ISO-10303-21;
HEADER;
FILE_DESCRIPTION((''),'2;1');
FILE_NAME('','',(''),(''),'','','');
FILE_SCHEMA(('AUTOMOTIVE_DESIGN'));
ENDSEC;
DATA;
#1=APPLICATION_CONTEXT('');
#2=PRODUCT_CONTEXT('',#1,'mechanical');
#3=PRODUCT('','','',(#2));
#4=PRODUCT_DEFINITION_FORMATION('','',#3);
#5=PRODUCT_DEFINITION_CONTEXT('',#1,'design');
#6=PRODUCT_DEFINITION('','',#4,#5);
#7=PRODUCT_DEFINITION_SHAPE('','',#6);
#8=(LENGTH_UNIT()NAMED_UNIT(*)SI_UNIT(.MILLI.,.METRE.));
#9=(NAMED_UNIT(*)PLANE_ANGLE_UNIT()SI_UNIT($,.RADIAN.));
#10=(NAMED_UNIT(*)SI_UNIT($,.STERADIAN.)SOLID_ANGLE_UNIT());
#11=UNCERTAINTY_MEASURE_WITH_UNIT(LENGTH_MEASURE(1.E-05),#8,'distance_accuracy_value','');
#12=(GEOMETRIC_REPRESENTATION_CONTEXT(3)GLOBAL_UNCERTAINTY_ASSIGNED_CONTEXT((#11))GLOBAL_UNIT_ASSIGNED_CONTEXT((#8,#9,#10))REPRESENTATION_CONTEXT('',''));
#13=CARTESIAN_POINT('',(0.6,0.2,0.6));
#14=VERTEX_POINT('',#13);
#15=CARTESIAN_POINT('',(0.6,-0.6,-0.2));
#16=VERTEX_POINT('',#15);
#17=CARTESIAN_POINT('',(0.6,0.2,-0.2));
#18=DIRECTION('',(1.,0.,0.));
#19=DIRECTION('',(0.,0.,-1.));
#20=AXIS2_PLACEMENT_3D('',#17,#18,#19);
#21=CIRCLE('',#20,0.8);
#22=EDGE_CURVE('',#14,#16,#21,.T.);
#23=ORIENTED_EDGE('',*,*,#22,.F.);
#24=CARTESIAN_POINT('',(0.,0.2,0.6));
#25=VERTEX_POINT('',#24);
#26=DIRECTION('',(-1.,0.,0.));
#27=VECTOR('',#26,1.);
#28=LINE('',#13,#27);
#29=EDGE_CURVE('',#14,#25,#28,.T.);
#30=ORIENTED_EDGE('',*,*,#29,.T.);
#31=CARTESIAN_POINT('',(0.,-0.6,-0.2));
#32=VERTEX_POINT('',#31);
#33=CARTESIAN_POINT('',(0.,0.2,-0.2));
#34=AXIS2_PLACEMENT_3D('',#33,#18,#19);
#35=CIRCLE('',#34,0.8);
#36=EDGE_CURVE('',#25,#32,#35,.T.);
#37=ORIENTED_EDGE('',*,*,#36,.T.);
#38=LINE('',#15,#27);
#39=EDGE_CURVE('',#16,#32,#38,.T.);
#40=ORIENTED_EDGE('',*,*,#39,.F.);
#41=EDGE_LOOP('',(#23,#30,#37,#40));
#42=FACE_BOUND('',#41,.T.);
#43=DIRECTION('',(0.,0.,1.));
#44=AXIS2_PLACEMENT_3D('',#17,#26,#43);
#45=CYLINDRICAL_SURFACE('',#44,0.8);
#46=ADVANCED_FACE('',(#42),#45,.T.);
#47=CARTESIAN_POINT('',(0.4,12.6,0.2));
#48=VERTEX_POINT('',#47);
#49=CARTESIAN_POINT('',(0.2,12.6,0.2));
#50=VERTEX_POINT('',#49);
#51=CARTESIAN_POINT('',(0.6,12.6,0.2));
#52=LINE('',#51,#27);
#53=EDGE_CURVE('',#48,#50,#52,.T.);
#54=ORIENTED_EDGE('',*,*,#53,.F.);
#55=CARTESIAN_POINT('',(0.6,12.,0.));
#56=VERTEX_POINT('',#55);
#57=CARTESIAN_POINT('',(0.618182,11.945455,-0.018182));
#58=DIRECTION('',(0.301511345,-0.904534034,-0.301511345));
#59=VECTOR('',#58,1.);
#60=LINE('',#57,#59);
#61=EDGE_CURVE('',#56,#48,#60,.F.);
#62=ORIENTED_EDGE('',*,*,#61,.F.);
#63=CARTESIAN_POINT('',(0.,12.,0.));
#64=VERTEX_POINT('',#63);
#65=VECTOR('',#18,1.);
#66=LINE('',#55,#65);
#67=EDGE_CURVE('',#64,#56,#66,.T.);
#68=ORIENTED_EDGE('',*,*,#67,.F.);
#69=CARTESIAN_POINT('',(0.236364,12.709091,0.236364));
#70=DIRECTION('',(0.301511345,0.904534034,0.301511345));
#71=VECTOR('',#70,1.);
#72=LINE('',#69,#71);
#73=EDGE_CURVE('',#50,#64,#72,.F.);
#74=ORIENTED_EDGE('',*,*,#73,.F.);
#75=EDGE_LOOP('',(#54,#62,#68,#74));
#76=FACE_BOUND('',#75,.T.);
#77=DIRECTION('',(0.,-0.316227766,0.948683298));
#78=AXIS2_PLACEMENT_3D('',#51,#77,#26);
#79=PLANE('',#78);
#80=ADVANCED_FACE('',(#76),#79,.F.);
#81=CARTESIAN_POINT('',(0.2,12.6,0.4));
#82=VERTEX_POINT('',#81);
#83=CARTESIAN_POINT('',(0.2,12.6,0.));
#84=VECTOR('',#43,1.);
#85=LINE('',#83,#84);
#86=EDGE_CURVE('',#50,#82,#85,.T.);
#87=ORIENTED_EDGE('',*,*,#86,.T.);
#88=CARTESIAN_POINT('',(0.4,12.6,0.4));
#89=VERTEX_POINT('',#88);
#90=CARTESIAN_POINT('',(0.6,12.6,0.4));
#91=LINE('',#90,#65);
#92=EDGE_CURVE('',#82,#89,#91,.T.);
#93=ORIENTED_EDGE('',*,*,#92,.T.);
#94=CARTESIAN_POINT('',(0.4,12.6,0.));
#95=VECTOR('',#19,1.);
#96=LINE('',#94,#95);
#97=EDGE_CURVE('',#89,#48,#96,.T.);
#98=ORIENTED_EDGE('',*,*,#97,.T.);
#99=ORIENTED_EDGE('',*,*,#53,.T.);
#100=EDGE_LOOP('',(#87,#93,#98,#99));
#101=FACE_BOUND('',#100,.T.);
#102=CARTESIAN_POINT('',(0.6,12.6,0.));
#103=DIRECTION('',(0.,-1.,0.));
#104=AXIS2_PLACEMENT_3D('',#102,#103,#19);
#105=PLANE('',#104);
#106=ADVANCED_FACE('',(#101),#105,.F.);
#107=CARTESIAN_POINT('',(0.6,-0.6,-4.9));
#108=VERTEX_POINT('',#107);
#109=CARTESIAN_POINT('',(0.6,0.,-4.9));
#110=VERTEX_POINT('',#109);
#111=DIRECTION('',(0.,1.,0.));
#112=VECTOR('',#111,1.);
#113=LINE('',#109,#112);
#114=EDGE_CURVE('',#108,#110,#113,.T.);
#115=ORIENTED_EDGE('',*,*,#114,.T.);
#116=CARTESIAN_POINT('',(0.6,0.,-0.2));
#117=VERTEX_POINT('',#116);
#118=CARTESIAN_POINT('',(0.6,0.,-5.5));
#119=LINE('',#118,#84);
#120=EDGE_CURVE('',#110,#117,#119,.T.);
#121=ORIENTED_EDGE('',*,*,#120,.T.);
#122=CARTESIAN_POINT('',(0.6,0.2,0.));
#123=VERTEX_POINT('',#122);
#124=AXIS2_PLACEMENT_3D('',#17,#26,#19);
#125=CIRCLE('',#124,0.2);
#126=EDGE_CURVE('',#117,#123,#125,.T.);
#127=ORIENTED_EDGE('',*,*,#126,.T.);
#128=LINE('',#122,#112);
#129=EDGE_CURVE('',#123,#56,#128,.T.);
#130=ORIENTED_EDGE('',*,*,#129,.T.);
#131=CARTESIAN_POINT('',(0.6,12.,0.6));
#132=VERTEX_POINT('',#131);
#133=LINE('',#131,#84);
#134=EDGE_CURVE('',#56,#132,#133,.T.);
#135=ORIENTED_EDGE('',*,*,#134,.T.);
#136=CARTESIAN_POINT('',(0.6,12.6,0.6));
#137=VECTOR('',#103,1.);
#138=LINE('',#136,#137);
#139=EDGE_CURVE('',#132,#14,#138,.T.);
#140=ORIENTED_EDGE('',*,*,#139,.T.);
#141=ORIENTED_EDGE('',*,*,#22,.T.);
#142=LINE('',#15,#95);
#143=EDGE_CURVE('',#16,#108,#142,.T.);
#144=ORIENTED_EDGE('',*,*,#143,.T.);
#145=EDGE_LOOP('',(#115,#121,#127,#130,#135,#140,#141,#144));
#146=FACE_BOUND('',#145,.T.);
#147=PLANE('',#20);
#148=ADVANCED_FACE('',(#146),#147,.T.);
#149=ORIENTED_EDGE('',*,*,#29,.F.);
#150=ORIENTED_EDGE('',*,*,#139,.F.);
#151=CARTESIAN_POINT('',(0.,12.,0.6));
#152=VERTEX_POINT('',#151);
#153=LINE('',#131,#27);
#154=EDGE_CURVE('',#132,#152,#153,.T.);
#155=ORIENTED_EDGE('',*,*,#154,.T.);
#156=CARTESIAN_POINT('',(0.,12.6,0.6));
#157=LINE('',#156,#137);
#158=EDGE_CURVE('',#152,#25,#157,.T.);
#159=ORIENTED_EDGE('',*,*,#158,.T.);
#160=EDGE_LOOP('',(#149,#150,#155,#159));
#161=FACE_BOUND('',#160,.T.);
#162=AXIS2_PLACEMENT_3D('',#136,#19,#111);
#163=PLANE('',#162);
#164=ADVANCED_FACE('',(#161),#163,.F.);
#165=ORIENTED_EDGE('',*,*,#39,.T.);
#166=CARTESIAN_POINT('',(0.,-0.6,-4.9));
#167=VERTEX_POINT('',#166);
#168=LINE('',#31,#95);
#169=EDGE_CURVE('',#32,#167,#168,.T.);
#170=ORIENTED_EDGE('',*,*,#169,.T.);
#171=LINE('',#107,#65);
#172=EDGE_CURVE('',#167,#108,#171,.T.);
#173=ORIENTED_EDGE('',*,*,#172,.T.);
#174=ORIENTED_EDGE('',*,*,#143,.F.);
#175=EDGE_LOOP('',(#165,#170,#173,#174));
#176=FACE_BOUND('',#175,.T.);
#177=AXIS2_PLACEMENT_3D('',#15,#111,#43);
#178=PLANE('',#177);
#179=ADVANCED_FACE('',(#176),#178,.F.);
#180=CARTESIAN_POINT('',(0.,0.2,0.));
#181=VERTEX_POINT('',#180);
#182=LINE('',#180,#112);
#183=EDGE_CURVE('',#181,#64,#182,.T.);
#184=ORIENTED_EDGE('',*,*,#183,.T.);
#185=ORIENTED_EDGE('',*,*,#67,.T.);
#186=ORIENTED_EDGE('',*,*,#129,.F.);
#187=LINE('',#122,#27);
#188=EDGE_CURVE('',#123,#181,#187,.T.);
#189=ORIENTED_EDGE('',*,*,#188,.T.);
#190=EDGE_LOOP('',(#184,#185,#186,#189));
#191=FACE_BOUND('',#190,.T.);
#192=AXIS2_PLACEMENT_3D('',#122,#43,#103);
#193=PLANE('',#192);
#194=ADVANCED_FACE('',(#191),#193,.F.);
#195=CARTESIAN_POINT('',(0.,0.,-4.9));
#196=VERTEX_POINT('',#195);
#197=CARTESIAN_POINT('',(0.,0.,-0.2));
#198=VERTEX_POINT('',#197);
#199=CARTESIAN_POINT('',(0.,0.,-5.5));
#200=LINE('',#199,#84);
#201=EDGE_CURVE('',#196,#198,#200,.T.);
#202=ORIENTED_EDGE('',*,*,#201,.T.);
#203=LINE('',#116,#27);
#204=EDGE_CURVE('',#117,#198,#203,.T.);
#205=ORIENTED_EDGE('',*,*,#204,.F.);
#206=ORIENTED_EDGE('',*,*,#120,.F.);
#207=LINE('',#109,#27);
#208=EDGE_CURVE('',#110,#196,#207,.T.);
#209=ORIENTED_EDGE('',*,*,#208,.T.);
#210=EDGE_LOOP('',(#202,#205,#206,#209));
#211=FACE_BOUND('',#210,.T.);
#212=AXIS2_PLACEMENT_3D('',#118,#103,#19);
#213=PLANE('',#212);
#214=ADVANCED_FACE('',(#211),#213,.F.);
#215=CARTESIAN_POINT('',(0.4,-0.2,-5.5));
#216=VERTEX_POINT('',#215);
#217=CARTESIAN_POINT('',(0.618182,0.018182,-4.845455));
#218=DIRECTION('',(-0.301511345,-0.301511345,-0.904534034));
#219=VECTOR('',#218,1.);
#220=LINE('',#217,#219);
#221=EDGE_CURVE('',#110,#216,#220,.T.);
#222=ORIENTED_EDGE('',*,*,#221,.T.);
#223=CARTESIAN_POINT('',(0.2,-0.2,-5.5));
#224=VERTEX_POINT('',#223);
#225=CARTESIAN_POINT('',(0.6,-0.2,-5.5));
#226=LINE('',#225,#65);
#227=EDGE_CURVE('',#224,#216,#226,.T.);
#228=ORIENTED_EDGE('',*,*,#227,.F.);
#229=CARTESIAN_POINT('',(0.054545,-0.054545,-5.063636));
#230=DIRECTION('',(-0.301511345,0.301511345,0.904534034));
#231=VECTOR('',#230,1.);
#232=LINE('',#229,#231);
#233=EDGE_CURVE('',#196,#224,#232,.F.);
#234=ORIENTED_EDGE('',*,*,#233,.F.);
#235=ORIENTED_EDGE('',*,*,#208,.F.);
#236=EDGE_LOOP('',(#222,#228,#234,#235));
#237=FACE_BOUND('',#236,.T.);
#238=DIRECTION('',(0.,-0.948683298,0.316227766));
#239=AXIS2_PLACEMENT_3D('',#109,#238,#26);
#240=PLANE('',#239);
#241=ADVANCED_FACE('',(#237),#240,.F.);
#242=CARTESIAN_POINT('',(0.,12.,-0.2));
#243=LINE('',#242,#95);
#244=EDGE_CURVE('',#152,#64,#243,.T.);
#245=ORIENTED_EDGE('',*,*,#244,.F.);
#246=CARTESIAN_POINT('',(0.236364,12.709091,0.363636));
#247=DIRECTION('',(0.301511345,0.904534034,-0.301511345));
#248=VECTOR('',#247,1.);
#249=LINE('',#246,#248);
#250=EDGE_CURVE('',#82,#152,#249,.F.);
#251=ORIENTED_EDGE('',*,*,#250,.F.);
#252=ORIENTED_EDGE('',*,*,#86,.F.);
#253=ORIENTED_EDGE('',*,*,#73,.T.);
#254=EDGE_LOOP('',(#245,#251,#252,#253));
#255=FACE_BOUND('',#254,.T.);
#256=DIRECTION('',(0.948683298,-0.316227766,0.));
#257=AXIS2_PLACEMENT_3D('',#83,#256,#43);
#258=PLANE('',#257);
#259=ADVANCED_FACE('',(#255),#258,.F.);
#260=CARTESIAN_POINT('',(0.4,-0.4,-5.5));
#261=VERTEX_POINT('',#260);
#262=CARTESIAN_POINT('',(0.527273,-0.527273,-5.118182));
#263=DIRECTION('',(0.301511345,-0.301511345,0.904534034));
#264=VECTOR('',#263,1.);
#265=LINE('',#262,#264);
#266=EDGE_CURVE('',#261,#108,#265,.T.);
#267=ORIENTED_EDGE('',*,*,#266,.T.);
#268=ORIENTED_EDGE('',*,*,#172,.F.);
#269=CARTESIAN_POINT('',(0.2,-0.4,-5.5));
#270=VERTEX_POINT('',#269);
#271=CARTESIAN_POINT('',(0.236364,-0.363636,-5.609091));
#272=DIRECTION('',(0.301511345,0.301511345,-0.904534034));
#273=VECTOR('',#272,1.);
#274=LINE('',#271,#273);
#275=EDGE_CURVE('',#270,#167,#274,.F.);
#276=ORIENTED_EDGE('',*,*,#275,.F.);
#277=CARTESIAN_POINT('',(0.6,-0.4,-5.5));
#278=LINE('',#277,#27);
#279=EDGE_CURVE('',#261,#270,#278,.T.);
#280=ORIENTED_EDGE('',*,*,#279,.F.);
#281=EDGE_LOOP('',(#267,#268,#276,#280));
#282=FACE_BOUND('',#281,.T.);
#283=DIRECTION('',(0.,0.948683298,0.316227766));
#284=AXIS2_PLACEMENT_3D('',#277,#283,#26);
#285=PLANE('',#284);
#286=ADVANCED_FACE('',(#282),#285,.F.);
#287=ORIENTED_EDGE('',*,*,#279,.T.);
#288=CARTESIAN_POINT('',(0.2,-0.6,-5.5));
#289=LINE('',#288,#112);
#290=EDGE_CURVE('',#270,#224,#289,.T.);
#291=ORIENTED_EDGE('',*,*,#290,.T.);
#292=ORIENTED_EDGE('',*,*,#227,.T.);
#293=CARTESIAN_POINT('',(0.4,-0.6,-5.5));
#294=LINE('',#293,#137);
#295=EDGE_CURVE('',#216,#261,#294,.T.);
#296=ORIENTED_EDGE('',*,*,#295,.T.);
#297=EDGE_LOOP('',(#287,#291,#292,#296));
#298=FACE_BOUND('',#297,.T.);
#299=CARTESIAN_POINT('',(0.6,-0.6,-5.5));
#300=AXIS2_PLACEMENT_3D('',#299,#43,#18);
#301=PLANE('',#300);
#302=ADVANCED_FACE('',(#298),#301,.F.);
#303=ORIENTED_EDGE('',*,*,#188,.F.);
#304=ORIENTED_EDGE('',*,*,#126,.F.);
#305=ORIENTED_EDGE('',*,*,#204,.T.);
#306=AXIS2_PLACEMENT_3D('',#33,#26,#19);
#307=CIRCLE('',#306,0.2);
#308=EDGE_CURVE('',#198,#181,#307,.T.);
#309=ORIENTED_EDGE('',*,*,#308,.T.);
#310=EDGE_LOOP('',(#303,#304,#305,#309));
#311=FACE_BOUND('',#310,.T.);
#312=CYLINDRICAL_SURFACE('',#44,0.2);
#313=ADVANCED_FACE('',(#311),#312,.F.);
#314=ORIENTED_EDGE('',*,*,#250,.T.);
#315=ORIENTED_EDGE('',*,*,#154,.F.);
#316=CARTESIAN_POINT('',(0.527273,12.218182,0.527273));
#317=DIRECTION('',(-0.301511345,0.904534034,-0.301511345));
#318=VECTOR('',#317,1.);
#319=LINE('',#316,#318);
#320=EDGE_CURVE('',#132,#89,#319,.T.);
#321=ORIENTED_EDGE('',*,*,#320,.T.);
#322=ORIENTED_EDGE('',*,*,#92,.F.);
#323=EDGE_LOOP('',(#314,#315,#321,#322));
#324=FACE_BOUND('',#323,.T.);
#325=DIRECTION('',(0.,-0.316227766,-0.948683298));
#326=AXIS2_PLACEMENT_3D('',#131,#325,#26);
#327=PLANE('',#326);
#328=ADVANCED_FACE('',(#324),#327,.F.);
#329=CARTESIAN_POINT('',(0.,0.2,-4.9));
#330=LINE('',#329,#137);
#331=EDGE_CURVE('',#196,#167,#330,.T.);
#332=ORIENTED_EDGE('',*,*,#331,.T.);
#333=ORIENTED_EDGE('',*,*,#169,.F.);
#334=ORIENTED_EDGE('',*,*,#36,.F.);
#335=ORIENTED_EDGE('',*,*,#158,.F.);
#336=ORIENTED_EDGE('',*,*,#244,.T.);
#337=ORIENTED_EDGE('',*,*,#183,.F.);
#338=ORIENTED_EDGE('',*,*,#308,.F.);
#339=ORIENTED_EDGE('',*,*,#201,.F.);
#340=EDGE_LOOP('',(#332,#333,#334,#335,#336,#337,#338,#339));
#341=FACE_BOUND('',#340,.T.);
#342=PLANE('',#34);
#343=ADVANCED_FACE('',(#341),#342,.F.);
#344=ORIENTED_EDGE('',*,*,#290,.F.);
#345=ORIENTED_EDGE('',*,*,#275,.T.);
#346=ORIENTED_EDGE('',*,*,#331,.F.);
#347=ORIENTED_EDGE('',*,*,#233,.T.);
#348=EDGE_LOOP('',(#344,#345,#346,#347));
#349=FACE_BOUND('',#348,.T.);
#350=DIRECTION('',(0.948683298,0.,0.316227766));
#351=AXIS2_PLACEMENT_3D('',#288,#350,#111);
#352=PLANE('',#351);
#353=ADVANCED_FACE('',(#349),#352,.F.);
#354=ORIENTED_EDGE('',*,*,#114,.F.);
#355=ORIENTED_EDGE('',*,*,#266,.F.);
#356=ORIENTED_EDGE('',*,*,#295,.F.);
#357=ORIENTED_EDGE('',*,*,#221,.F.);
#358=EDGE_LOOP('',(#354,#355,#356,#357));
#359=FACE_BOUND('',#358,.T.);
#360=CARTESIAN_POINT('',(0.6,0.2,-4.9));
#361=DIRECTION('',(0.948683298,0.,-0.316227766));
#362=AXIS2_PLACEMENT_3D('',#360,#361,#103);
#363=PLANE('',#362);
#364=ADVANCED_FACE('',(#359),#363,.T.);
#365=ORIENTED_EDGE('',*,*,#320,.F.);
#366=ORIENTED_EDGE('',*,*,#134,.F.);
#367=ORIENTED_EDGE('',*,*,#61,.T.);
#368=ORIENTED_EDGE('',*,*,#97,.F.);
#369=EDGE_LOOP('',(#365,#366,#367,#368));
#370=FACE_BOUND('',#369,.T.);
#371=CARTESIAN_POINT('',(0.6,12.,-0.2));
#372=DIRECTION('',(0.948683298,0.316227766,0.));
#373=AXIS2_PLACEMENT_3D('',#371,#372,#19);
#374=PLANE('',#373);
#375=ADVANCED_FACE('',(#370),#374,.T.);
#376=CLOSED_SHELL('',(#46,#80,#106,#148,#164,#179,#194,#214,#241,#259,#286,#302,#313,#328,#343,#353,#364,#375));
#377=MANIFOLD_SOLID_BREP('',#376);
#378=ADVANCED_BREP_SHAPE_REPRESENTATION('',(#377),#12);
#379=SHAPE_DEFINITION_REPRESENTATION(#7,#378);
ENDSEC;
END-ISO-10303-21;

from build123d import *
from OCP.BRepFilletAPI import BRepFilletAPI_MakeChamfer

# Parameters (mm, degrees)
AUFSATZ_LINEAR_AUSTRAGEN1_DEPTH = 0.6
FASE1_SIZE                      = 0.2
FASE1_SIZE2                     = 0.6


with BuildPart() as part:
    # Skizze1 → Aufsatz-Linear austragen1 (new body)
    with BuildSketch(Plane(origin=(0, 0, 0), x_dir=(0, 0, -1), z_dir=(1, 0, 0))):
        with BuildLine():
            Line((0, 0.2), (0, 12.6))
            Line((0, 12.6), (-0.6, 12.6))
            Line((-0.6, 12.6), (-0.6, 0.2))
            ThreePointArc((-0.6, 0.2), (-0.365685425, -0.365685425), (0.2, -0.6))
            Line((0.2, -0.6), (5.5, -0.6))
            Line((5.5, -0.6), (5.5, 0))
            Line((5.5, 0), (0.2, 0))
            ThreePointArc((0.2, 0), (0.058578644, 0.058578644), (0, 0.2))
        make_face()
    extrude(amount=AUFSATZ_LINEAR_AUSTRAGEN1_DEPTH)

    # Fase1: one chamfer whose edges measure the first distance from different faces: ONE call of the kernel's chamfer builder (chamfer() names one face for all edges)
    fase1_edges_1 = [part.edges().sort_by_distance(p)[0] for p in [
        (0, 12.6, 0.3),
        (0.3, 12.6, 0),
        (0.3, 12.6, 0.6),
        (0.6, 12.6, 0.3),
    ]]
    fase1_side_1 = [part.faces().sort_by_distance(p)[0] for p in [
        (0.3, 12.6, 0.3),
    ]]
    fase1_edges_2 = [part.edges().sort_by_distance(p)[0] for p in [
        (0.3, 0, -5.5),
        (0.3, -0.6, -5.5),
        (0.6, -0.3, -5.5),
        (0, -0.3, -5.5),
    ]]
    fase1_side_2 = [part.faces().sort_by_distance(p)[0] for p in [
        (0.3, -0.3, -5.5),
    ]]
    fase1 = BRepFilletAPI_MakeChamfer(part.part.solid().wrapped)
    for e in fase1_edges_1:
        fase1.Add(FASE1_SIZE, FASE1_SIZE2, e.wrapped, fase1_side_1[0].wrapped)  # the first distance lies on this face
    for e in fase1_edges_2:
        fase1.Add(FASE1_SIZE, FASE1_SIZE2, e.wrapped, fase1_side_2[0].wrapped)  # the first distance lies on this face
    add(Compound.cast(fase1.Shape()), mode=Mode.REPLACE)


solid = part.part
